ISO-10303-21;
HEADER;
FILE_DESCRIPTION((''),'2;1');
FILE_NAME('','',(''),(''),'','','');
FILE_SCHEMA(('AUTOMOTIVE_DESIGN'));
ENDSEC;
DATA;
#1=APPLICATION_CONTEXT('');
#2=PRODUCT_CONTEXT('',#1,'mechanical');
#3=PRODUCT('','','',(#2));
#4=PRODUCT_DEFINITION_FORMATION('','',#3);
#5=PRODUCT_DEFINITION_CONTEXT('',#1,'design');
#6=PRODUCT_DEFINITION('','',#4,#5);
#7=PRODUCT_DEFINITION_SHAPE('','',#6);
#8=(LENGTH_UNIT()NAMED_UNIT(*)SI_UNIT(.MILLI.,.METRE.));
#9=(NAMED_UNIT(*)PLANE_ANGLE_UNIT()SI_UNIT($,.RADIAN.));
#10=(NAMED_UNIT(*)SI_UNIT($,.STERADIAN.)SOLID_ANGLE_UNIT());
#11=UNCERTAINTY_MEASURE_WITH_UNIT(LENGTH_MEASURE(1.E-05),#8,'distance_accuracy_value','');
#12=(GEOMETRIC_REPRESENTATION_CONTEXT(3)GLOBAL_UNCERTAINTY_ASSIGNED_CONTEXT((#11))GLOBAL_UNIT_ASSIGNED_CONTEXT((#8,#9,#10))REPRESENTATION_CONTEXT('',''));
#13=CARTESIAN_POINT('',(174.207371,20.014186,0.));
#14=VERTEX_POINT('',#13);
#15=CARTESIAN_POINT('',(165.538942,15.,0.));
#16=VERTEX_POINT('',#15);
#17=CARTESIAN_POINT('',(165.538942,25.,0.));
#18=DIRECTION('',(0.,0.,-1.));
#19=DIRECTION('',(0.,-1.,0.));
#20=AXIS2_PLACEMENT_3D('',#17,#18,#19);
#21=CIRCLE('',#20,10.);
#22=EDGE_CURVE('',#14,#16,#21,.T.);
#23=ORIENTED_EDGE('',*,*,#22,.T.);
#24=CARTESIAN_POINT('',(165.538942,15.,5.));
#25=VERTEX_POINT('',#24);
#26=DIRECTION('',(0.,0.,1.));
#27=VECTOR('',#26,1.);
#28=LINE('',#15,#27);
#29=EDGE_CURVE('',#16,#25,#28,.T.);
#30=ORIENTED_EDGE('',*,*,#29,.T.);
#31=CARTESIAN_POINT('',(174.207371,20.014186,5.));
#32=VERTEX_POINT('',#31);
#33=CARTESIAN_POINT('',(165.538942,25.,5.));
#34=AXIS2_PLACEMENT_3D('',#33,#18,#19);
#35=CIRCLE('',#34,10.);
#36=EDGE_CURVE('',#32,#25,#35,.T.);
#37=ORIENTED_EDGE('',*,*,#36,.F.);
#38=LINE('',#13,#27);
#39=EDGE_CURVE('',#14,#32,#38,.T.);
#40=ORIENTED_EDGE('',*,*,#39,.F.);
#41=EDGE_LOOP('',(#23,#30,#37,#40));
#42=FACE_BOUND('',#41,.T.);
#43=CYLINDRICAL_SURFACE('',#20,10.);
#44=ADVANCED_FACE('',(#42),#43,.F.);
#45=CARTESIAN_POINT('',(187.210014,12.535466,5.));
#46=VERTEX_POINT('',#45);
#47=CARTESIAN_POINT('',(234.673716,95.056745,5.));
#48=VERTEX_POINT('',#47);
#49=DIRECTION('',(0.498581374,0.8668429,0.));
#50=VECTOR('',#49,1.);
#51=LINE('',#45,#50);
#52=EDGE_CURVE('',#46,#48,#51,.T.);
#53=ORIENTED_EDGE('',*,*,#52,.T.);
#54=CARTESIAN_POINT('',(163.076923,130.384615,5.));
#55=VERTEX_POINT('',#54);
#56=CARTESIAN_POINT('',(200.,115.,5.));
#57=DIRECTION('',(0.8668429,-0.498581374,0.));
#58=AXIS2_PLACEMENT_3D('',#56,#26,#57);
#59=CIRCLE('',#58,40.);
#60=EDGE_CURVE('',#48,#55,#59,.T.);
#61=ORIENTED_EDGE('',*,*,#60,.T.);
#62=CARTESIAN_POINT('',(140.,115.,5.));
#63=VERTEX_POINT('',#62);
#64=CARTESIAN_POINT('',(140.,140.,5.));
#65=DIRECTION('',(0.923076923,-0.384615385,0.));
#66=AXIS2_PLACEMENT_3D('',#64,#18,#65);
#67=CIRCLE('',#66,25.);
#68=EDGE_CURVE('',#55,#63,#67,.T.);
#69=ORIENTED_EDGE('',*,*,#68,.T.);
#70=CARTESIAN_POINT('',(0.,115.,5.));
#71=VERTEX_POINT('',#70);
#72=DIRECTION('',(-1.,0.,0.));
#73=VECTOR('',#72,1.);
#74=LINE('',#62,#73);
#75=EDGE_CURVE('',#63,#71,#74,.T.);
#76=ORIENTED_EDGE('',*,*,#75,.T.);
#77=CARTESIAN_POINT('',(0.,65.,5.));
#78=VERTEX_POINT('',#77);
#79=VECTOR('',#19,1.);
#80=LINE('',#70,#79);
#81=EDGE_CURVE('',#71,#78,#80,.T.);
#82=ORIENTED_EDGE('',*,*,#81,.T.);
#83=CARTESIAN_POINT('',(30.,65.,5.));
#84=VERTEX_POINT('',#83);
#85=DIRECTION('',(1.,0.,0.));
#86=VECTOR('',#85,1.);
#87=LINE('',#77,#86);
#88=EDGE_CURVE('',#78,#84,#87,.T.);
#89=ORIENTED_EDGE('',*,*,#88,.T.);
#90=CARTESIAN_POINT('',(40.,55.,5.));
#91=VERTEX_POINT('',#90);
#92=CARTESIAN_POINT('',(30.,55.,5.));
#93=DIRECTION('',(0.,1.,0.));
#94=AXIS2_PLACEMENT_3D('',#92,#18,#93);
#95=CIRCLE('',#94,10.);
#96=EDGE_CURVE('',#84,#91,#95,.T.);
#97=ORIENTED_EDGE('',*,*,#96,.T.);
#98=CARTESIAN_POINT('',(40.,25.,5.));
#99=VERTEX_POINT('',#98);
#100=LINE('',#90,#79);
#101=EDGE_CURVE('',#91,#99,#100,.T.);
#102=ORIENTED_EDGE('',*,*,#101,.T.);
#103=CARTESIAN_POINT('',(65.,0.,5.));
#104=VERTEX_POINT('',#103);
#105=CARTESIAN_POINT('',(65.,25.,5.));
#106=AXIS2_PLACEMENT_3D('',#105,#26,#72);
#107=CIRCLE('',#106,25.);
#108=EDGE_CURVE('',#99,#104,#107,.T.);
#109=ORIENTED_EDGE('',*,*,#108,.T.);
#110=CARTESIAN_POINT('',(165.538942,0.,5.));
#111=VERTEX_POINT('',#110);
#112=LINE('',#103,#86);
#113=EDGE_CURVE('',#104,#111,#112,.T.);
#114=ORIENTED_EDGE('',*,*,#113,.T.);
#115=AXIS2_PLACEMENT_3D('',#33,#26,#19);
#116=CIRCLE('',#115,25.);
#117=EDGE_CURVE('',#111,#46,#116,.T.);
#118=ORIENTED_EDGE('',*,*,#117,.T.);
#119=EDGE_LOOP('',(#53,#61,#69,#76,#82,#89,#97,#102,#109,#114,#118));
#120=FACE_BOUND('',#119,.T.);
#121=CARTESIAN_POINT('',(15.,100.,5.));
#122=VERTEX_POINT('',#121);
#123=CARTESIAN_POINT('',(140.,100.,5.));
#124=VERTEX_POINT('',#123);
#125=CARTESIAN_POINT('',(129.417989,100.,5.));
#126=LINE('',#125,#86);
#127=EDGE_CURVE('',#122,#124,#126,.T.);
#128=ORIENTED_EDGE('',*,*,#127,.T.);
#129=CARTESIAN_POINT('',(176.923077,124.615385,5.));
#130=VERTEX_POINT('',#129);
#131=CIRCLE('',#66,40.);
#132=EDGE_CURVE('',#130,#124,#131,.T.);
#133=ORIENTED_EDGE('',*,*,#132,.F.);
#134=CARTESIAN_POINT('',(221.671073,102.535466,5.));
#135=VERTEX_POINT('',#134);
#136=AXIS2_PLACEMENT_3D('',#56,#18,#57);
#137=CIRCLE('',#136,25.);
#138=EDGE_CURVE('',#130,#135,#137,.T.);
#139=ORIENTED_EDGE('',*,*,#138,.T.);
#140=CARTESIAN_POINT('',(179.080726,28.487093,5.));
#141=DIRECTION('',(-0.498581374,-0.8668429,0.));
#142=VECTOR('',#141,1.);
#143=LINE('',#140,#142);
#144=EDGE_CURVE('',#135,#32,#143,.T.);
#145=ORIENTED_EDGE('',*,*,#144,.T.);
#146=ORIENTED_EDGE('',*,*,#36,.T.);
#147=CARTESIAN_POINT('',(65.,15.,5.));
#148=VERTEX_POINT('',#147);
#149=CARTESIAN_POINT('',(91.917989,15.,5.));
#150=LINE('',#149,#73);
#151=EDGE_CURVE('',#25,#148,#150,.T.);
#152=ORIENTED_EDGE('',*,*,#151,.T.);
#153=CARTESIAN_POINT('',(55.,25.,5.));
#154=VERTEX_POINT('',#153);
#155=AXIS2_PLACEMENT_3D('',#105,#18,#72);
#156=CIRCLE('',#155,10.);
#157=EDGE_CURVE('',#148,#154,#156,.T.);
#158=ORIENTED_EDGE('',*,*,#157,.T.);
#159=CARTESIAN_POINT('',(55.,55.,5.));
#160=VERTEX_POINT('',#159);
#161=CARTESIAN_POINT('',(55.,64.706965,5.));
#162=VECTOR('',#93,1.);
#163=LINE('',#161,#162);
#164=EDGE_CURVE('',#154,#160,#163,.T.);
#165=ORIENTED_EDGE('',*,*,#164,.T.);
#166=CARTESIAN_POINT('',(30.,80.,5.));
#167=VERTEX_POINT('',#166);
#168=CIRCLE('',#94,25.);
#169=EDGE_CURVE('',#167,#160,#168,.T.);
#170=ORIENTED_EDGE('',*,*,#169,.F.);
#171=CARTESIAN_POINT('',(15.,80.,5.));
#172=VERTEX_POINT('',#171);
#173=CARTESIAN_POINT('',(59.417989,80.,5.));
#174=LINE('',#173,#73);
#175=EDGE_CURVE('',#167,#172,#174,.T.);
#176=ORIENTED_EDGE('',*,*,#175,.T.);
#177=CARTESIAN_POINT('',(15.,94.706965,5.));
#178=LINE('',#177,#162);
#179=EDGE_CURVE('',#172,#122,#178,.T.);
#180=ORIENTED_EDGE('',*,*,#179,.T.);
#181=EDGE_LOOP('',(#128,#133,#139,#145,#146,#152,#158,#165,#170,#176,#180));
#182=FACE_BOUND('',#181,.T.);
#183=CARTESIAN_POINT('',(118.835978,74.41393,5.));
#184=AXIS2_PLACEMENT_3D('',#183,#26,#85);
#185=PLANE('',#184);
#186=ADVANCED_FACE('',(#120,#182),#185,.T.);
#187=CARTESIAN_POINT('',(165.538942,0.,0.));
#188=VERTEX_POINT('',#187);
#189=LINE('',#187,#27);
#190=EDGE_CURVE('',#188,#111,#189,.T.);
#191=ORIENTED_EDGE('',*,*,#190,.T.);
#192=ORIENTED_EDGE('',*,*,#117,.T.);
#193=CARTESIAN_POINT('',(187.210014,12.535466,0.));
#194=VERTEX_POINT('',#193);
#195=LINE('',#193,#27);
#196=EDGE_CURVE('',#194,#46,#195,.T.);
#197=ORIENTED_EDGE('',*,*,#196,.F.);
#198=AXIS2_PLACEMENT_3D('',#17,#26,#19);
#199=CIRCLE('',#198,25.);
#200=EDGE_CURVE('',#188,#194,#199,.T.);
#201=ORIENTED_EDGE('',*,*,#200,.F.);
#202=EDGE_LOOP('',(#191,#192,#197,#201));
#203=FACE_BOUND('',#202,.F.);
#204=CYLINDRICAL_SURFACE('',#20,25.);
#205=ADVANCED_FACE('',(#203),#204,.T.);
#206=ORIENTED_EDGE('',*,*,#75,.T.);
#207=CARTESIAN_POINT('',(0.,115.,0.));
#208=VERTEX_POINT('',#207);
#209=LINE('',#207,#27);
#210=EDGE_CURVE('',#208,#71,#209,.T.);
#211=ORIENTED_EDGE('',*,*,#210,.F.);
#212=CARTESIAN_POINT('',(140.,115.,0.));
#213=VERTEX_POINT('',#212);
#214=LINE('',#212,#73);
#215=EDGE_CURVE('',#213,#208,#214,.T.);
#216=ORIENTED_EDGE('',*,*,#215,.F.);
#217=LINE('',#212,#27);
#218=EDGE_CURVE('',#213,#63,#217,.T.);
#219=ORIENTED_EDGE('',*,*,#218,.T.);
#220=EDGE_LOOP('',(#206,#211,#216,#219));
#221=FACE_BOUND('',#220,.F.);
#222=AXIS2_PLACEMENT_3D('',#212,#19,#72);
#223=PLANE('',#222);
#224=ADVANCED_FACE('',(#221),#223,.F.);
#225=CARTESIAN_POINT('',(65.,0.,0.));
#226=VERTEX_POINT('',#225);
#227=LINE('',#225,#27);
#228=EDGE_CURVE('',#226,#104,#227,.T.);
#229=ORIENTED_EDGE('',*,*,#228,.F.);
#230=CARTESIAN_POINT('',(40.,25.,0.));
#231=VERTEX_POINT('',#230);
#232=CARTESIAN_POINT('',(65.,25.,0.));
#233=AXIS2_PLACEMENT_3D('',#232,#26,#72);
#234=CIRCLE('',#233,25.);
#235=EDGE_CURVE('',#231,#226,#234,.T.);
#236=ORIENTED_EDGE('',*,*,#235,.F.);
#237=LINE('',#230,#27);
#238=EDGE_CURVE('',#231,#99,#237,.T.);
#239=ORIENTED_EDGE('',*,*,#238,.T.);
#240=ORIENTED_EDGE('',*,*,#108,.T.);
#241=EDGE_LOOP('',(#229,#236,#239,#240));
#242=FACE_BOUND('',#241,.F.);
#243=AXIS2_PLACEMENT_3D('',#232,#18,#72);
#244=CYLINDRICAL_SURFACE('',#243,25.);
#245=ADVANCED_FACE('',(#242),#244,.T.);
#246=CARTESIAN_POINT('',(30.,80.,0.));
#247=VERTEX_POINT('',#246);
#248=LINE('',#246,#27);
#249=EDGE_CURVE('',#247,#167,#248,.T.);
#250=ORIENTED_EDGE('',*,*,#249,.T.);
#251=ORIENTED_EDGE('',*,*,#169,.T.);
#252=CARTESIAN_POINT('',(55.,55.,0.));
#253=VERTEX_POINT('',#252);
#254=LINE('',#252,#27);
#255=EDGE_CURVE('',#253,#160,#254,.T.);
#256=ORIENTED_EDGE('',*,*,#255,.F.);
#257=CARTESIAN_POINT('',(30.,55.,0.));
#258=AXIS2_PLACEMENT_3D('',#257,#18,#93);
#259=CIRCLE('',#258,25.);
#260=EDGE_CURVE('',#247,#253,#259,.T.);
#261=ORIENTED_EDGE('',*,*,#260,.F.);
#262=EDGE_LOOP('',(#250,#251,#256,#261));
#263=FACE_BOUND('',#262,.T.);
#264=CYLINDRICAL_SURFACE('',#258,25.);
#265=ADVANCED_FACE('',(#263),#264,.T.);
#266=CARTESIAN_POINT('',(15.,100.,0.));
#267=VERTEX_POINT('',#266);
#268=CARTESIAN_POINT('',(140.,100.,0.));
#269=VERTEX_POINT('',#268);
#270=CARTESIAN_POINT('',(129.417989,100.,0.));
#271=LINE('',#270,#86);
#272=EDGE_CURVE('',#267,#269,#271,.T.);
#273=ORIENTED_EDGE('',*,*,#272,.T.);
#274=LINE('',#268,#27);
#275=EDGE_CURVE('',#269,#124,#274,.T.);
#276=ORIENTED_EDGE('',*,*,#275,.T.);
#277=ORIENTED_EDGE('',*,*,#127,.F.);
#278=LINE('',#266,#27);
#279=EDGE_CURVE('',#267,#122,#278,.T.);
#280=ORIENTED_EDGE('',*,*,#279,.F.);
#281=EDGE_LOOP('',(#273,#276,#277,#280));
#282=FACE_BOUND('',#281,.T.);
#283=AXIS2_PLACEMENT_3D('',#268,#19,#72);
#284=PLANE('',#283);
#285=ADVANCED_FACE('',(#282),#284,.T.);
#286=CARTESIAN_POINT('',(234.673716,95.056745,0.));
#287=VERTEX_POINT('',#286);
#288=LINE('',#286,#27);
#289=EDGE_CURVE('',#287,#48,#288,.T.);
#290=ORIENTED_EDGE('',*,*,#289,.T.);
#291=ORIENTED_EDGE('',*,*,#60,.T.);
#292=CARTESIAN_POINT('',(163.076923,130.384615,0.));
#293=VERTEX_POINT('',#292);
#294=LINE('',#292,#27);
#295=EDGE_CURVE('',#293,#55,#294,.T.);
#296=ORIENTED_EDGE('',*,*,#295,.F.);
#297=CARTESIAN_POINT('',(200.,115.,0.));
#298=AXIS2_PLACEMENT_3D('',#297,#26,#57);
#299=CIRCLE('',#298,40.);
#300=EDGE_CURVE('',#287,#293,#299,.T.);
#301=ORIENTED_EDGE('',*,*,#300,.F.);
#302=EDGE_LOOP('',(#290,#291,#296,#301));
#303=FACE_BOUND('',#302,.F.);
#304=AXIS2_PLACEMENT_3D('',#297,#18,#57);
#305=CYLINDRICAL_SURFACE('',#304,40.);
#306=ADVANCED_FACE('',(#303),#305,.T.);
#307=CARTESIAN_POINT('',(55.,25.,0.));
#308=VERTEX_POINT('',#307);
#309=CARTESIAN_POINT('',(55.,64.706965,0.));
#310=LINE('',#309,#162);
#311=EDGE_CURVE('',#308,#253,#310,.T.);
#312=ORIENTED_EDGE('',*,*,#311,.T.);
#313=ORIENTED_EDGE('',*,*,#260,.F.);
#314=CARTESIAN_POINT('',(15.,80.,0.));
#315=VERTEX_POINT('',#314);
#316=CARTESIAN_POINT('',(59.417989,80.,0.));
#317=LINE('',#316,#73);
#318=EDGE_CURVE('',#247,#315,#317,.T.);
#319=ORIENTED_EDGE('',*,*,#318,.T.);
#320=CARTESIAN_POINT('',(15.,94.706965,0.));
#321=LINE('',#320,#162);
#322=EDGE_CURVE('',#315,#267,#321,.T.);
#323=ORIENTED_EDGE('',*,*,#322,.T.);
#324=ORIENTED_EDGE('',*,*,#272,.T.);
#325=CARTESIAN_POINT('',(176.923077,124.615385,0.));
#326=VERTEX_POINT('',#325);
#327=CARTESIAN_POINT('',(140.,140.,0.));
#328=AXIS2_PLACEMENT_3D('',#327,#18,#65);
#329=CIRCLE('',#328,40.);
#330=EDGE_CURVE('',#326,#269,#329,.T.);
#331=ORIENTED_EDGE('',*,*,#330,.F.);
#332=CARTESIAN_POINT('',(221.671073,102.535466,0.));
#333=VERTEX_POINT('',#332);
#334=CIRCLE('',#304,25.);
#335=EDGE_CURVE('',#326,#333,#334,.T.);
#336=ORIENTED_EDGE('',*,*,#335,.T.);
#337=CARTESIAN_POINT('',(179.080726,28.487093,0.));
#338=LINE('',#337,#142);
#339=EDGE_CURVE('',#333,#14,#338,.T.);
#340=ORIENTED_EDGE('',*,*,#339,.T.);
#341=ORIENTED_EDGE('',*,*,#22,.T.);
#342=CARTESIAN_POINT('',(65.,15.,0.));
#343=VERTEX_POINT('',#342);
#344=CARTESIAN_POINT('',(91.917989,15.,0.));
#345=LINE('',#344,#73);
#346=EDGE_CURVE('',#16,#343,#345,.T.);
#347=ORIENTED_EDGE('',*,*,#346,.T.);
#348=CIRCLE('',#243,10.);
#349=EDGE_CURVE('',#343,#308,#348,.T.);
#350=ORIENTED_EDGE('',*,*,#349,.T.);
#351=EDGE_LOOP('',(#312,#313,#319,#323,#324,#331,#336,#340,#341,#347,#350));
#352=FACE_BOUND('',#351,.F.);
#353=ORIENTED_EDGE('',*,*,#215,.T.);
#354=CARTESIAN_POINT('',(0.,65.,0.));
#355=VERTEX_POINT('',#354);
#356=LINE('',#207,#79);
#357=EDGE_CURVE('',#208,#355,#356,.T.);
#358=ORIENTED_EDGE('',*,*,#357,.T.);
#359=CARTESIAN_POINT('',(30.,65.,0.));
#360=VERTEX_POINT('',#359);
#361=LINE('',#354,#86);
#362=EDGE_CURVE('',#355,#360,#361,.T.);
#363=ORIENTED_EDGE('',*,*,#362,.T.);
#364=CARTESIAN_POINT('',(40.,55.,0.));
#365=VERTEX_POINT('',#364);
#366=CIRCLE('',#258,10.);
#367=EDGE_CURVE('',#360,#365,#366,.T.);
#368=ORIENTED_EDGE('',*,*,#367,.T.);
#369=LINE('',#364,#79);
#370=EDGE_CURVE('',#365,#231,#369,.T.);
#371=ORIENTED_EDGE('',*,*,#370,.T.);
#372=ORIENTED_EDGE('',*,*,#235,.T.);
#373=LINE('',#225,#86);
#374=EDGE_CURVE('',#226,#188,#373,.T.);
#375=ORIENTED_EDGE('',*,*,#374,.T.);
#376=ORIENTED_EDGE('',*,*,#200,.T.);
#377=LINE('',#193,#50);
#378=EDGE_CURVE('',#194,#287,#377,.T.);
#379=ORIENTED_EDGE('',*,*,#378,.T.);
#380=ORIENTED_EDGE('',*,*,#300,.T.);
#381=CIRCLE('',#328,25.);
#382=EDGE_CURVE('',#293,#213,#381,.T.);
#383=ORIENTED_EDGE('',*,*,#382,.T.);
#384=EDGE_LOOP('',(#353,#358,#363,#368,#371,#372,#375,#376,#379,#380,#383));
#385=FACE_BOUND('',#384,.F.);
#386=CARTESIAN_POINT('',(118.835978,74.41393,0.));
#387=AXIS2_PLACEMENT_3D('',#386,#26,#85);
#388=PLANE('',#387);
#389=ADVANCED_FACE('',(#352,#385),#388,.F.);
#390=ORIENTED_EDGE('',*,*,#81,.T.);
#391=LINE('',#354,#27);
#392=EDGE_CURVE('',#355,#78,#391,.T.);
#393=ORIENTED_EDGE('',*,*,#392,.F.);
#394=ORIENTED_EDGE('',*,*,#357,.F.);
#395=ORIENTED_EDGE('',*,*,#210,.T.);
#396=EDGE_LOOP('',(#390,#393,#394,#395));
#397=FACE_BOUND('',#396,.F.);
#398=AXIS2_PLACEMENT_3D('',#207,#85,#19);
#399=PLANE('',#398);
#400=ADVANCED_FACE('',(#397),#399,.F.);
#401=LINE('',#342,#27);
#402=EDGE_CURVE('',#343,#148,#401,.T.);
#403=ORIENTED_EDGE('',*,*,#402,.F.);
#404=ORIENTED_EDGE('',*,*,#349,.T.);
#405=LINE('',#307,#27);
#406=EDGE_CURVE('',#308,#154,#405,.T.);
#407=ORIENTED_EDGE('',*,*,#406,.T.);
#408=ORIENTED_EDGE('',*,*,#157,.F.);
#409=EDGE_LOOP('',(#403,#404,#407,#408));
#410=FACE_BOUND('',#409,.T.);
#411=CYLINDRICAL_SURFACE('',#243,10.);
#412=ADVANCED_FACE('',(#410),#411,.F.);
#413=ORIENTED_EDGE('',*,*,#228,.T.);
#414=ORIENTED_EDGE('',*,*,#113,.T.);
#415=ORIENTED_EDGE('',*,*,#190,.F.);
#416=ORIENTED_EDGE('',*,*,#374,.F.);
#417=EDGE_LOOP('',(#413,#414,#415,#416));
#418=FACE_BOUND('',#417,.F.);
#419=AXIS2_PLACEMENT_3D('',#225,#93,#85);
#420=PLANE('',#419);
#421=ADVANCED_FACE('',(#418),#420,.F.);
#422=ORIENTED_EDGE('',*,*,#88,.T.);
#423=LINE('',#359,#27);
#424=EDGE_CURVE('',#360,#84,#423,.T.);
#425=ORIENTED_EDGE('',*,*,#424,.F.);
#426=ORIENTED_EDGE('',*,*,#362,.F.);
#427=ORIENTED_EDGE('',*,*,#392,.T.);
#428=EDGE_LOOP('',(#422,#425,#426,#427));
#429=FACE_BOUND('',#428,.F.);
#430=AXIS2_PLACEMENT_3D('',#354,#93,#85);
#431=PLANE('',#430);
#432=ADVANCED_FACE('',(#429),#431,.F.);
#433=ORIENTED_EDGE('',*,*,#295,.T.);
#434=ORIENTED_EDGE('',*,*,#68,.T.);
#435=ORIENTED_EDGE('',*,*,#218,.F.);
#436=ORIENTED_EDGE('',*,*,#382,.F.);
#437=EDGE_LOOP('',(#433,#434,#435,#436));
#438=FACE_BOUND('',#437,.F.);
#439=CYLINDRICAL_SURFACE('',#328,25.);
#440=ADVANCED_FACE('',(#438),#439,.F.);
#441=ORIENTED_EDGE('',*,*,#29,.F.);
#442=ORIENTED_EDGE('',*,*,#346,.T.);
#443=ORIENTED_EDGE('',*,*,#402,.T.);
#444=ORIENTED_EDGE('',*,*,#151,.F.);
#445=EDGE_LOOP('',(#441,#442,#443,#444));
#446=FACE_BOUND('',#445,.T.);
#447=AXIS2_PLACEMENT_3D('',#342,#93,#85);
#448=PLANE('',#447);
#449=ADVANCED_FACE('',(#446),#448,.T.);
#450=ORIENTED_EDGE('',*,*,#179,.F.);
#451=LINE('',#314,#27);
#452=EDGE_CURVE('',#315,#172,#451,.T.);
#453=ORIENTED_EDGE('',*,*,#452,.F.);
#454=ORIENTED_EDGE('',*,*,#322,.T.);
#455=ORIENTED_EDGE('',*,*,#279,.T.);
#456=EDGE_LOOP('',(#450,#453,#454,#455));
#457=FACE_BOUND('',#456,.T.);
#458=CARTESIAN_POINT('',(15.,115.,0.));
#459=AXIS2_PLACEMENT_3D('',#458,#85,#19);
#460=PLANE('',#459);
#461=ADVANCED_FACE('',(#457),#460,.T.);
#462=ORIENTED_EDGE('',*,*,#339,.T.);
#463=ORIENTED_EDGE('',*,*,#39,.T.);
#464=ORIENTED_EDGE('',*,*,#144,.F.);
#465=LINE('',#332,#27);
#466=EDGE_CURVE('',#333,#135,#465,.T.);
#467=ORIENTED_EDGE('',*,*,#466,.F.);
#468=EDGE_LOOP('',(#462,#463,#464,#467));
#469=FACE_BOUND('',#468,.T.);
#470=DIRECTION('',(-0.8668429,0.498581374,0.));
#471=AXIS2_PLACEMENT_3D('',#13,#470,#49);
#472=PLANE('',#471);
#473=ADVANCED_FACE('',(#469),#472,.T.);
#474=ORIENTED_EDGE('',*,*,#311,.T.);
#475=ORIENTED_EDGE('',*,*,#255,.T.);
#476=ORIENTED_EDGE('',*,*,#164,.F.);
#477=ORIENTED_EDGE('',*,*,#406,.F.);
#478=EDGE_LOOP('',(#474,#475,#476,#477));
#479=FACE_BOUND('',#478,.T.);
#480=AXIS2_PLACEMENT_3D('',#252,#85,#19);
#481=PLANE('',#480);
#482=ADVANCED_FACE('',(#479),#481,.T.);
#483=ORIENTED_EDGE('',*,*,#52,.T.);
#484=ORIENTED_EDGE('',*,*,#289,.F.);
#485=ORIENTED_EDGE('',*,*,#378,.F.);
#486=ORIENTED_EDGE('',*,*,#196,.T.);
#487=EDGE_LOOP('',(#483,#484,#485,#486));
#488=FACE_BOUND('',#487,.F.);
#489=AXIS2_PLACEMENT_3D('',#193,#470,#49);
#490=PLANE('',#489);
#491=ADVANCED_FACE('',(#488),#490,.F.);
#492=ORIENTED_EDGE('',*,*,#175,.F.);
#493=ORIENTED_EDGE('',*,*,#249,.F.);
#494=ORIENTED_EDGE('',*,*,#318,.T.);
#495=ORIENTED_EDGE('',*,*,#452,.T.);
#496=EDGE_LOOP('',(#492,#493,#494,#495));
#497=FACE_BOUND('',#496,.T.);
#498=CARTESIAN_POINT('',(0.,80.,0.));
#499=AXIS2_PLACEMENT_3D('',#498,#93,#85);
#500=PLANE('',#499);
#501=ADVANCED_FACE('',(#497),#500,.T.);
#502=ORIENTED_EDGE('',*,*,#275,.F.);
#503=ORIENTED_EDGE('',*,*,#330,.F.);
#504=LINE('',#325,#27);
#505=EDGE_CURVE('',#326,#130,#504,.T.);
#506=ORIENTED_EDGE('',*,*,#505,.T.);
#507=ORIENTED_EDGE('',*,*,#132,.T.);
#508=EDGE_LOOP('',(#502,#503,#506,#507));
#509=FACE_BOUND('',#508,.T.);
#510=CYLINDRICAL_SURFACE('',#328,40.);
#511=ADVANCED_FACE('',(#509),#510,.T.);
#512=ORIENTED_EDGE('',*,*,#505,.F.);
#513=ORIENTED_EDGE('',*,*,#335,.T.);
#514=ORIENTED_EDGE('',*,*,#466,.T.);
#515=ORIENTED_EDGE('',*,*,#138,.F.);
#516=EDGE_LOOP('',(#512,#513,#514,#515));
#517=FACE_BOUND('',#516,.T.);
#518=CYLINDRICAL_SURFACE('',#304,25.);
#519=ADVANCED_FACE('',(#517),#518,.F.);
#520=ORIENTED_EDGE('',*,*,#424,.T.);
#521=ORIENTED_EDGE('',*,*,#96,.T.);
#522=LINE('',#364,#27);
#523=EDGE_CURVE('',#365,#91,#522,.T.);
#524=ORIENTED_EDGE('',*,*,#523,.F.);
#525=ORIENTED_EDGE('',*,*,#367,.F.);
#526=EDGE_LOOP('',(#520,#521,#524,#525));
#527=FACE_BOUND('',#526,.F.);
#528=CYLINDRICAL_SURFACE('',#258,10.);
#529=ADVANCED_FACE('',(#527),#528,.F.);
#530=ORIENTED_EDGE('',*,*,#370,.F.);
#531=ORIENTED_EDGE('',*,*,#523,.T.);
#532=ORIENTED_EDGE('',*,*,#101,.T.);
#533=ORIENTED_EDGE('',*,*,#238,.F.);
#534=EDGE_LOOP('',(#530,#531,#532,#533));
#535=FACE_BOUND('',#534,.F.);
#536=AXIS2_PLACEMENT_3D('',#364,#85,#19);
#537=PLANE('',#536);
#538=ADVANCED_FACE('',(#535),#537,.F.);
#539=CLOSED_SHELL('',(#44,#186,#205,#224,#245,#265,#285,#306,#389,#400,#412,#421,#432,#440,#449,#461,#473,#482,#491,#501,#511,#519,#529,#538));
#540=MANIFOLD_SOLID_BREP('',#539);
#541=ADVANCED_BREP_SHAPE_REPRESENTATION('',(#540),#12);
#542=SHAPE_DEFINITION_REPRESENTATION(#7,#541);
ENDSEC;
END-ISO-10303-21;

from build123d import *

# Parameters (mm, degrees)
BOSS_EXTRUDE1_DEPTH = 5
SHELL1_T            = -15


with BuildPart() as part:
    # Sketch3 → Boss-Extrude1 (new body)
    with BuildSketch(Plane.XY):
        with BuildLine():
            Line((140, 115), (0, 115))
            Line((0, 115), (0, 65))
            Line((0, 65), (30, 65))
            ThreePointArc((30, 65), (37.071067812, 62.071067812), (40, 55))
            Line((40, 55), (40, 25))
            ThreePointArc((40, 25), (47.32233047, 7.32233047), (65, 0))
            Line((65, 0), (165.538941775, 0))
            ThreePointArc((165.538941775, 0), (178.05666204, 3.359605379), (187.210014279, 12.535465651))
            Line((187.210014279, 12.535465651), (234.673716006, 95.056745042))
            ThreePointArc((234.673716006, 95.056745042), (217.699703722, 150.870886358), (163.076923077, 130.384615385))
            ThreePointArc((163.076923077, 130.384615385), (153.867504906, 119.198742642), (140, 115))
        make_face()
    extrude(amount=BOSS_EXTRUDE1_DEPTH)

    # Shell1
    shell1_openings = [part.faces().sort_by_distance(p)[0] for p in [
        (98.657145907, 64.238067092, 5),
        (98.657145907, 64.238067092, 0),
    ]]
    offset(amount=SHELL1_T, openings=shell1_openings, kind=Kind.INTERSECTION)


solid = part.part
